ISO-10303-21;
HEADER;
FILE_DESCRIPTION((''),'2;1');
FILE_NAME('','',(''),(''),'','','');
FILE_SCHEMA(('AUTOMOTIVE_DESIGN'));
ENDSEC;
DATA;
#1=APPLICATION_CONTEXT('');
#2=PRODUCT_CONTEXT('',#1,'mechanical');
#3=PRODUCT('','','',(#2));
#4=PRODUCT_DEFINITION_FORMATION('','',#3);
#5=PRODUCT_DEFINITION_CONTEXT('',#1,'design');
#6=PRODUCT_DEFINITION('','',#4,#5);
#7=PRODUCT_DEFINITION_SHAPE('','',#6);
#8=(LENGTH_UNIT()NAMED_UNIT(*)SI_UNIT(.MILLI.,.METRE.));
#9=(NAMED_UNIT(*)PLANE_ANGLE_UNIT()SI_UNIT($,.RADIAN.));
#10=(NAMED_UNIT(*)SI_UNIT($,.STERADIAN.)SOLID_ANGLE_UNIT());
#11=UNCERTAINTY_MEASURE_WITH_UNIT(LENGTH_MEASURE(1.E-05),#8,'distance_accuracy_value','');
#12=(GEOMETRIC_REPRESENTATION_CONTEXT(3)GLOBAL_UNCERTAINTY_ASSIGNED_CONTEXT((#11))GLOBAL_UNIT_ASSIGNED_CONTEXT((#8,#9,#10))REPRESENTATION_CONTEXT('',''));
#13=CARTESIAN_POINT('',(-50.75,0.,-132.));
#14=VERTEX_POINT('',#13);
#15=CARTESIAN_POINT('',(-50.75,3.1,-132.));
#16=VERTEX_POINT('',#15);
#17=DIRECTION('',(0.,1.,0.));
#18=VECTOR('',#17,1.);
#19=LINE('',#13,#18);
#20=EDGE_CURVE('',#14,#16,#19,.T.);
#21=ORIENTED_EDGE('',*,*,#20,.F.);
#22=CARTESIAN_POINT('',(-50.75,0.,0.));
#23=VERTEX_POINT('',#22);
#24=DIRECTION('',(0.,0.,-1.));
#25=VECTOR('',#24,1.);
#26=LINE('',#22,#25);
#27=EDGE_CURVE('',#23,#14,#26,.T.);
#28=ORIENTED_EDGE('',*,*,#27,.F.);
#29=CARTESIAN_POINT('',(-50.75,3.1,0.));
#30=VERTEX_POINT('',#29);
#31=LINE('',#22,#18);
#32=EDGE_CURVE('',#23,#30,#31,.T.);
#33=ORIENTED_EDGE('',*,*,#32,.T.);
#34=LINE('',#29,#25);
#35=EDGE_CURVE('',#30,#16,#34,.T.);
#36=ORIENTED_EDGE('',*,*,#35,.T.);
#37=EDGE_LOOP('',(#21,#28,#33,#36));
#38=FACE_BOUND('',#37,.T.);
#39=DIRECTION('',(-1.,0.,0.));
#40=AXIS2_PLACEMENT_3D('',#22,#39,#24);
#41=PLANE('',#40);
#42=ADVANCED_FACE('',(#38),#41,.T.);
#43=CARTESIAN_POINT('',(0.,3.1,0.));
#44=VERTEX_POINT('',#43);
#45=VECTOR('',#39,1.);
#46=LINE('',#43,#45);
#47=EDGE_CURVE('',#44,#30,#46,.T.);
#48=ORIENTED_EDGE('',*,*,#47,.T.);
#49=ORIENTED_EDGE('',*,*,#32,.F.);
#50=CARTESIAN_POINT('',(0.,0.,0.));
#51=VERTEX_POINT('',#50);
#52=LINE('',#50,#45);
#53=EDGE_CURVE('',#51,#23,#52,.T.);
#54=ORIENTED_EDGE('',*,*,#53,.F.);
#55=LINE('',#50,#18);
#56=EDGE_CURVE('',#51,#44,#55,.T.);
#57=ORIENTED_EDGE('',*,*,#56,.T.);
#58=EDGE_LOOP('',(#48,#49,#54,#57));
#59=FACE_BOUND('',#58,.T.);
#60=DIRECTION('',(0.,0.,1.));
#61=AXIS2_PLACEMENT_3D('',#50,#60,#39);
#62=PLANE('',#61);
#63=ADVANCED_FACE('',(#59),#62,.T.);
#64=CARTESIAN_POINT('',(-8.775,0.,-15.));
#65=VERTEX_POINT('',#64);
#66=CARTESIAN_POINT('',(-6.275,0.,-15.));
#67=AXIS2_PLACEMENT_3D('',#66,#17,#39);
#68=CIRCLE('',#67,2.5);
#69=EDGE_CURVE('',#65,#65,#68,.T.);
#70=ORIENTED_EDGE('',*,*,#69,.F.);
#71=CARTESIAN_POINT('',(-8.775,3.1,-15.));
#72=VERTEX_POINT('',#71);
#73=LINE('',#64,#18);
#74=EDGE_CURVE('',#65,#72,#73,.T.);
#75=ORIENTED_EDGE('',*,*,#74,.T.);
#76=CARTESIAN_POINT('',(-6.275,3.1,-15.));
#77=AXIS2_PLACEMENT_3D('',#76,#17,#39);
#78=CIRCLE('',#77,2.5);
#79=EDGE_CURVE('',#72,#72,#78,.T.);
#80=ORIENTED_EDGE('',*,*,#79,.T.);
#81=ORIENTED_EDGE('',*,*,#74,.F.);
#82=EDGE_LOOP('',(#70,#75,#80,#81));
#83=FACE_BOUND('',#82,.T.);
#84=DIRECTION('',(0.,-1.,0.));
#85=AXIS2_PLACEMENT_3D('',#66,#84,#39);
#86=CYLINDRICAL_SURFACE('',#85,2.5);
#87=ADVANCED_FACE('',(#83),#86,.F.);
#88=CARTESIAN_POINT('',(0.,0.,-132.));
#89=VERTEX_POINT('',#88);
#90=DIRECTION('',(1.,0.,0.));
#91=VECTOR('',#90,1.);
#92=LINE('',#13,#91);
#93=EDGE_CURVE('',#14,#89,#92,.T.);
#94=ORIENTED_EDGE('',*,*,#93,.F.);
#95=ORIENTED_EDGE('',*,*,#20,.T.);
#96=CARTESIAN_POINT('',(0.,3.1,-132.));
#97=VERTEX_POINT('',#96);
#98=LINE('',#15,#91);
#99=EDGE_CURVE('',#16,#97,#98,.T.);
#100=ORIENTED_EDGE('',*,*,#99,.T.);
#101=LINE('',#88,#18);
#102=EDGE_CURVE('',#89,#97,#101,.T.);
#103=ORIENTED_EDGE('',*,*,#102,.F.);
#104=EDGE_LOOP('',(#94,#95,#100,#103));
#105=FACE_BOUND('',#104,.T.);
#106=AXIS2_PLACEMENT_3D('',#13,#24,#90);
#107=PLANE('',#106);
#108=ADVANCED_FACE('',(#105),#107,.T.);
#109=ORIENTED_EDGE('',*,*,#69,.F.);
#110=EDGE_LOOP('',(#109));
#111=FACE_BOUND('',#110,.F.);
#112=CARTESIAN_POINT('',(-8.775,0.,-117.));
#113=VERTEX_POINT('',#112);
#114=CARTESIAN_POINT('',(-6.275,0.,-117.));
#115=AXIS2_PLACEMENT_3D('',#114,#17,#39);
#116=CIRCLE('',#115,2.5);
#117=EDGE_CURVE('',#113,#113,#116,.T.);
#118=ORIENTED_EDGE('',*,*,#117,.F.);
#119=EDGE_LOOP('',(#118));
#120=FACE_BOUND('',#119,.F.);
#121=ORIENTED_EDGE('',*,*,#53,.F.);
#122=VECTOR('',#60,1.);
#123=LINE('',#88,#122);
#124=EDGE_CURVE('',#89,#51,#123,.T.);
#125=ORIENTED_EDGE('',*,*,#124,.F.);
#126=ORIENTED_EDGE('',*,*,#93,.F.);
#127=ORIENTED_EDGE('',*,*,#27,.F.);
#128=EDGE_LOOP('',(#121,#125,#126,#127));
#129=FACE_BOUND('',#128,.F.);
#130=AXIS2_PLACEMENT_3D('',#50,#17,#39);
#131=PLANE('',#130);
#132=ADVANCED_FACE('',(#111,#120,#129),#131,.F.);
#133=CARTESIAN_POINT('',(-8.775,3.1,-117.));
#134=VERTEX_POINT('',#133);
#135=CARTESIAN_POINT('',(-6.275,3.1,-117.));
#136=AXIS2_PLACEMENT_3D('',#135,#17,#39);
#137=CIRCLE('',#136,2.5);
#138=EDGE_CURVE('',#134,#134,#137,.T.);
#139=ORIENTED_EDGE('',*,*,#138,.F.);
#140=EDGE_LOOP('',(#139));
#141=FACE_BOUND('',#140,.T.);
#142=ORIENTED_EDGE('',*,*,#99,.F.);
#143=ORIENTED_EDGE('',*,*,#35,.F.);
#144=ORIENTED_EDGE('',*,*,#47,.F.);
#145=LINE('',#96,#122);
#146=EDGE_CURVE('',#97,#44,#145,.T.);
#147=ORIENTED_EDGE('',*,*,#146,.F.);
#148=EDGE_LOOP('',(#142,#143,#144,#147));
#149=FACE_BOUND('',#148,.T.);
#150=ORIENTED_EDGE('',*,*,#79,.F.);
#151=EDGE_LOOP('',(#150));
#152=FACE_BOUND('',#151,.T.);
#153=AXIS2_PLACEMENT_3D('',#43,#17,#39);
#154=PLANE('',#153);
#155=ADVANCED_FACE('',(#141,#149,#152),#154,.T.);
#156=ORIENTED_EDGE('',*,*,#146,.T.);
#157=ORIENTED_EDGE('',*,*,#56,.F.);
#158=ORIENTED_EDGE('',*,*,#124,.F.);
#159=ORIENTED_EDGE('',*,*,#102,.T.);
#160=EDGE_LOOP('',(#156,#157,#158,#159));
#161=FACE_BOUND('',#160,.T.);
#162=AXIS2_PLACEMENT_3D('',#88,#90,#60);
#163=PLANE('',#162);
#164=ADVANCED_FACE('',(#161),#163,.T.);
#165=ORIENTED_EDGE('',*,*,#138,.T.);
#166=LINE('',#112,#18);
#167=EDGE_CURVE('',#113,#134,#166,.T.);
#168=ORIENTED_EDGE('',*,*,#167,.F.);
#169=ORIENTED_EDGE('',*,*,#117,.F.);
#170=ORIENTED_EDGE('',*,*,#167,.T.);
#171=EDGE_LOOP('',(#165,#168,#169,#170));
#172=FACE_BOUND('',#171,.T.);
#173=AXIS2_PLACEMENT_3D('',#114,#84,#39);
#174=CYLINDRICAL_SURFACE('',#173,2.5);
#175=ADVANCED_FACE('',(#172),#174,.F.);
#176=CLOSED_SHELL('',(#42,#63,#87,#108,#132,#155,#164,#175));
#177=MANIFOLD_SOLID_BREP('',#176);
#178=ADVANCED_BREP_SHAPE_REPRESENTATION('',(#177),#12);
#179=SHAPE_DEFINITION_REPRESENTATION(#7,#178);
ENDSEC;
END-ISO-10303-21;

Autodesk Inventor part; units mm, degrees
ref_plane "YZ Plane" through (0, 0, 0) normal (1, 0, 0) x (0, 1, 0)
ref_plane "XZ Plane" through (0, 0, 0) normal (0, 1, 0) x (-1, 0, 0)
ref_plane "XY Plane" through (0, 0, 0) normal (0, 0, 1) x (1, 0, 0)
sketch "Sketch1" plane through (0, 0, 0) normal (0, 1, 0) x (-1, 0, 0)
  line L0 (0, 0) -> (50.75, 0)
  line L1 (50.75, 0) -> (50.75, -132)
  line L2 (50.75, -132) -> (0, -132)
  line L3 (0, -132) -> (0, 0)
  circle A0 centre (6.275, -15) radius 2.5
  circle A1 centre (6.275, -117) radius 2.5
  dimension "d0" = 50.75
  dimension "d1" = 132
  dimension "d4" = 5
  dimension "d5" = 5
  dimension "d6" = 6.275
  dimension "d7" = 6.275
  dimension "d8" = 15
  dimension "d9" = 15
extrude "Extrusion1" add sketch "Sketch1" along normal blind 3.1
properties part number "LoadCellPlate"
